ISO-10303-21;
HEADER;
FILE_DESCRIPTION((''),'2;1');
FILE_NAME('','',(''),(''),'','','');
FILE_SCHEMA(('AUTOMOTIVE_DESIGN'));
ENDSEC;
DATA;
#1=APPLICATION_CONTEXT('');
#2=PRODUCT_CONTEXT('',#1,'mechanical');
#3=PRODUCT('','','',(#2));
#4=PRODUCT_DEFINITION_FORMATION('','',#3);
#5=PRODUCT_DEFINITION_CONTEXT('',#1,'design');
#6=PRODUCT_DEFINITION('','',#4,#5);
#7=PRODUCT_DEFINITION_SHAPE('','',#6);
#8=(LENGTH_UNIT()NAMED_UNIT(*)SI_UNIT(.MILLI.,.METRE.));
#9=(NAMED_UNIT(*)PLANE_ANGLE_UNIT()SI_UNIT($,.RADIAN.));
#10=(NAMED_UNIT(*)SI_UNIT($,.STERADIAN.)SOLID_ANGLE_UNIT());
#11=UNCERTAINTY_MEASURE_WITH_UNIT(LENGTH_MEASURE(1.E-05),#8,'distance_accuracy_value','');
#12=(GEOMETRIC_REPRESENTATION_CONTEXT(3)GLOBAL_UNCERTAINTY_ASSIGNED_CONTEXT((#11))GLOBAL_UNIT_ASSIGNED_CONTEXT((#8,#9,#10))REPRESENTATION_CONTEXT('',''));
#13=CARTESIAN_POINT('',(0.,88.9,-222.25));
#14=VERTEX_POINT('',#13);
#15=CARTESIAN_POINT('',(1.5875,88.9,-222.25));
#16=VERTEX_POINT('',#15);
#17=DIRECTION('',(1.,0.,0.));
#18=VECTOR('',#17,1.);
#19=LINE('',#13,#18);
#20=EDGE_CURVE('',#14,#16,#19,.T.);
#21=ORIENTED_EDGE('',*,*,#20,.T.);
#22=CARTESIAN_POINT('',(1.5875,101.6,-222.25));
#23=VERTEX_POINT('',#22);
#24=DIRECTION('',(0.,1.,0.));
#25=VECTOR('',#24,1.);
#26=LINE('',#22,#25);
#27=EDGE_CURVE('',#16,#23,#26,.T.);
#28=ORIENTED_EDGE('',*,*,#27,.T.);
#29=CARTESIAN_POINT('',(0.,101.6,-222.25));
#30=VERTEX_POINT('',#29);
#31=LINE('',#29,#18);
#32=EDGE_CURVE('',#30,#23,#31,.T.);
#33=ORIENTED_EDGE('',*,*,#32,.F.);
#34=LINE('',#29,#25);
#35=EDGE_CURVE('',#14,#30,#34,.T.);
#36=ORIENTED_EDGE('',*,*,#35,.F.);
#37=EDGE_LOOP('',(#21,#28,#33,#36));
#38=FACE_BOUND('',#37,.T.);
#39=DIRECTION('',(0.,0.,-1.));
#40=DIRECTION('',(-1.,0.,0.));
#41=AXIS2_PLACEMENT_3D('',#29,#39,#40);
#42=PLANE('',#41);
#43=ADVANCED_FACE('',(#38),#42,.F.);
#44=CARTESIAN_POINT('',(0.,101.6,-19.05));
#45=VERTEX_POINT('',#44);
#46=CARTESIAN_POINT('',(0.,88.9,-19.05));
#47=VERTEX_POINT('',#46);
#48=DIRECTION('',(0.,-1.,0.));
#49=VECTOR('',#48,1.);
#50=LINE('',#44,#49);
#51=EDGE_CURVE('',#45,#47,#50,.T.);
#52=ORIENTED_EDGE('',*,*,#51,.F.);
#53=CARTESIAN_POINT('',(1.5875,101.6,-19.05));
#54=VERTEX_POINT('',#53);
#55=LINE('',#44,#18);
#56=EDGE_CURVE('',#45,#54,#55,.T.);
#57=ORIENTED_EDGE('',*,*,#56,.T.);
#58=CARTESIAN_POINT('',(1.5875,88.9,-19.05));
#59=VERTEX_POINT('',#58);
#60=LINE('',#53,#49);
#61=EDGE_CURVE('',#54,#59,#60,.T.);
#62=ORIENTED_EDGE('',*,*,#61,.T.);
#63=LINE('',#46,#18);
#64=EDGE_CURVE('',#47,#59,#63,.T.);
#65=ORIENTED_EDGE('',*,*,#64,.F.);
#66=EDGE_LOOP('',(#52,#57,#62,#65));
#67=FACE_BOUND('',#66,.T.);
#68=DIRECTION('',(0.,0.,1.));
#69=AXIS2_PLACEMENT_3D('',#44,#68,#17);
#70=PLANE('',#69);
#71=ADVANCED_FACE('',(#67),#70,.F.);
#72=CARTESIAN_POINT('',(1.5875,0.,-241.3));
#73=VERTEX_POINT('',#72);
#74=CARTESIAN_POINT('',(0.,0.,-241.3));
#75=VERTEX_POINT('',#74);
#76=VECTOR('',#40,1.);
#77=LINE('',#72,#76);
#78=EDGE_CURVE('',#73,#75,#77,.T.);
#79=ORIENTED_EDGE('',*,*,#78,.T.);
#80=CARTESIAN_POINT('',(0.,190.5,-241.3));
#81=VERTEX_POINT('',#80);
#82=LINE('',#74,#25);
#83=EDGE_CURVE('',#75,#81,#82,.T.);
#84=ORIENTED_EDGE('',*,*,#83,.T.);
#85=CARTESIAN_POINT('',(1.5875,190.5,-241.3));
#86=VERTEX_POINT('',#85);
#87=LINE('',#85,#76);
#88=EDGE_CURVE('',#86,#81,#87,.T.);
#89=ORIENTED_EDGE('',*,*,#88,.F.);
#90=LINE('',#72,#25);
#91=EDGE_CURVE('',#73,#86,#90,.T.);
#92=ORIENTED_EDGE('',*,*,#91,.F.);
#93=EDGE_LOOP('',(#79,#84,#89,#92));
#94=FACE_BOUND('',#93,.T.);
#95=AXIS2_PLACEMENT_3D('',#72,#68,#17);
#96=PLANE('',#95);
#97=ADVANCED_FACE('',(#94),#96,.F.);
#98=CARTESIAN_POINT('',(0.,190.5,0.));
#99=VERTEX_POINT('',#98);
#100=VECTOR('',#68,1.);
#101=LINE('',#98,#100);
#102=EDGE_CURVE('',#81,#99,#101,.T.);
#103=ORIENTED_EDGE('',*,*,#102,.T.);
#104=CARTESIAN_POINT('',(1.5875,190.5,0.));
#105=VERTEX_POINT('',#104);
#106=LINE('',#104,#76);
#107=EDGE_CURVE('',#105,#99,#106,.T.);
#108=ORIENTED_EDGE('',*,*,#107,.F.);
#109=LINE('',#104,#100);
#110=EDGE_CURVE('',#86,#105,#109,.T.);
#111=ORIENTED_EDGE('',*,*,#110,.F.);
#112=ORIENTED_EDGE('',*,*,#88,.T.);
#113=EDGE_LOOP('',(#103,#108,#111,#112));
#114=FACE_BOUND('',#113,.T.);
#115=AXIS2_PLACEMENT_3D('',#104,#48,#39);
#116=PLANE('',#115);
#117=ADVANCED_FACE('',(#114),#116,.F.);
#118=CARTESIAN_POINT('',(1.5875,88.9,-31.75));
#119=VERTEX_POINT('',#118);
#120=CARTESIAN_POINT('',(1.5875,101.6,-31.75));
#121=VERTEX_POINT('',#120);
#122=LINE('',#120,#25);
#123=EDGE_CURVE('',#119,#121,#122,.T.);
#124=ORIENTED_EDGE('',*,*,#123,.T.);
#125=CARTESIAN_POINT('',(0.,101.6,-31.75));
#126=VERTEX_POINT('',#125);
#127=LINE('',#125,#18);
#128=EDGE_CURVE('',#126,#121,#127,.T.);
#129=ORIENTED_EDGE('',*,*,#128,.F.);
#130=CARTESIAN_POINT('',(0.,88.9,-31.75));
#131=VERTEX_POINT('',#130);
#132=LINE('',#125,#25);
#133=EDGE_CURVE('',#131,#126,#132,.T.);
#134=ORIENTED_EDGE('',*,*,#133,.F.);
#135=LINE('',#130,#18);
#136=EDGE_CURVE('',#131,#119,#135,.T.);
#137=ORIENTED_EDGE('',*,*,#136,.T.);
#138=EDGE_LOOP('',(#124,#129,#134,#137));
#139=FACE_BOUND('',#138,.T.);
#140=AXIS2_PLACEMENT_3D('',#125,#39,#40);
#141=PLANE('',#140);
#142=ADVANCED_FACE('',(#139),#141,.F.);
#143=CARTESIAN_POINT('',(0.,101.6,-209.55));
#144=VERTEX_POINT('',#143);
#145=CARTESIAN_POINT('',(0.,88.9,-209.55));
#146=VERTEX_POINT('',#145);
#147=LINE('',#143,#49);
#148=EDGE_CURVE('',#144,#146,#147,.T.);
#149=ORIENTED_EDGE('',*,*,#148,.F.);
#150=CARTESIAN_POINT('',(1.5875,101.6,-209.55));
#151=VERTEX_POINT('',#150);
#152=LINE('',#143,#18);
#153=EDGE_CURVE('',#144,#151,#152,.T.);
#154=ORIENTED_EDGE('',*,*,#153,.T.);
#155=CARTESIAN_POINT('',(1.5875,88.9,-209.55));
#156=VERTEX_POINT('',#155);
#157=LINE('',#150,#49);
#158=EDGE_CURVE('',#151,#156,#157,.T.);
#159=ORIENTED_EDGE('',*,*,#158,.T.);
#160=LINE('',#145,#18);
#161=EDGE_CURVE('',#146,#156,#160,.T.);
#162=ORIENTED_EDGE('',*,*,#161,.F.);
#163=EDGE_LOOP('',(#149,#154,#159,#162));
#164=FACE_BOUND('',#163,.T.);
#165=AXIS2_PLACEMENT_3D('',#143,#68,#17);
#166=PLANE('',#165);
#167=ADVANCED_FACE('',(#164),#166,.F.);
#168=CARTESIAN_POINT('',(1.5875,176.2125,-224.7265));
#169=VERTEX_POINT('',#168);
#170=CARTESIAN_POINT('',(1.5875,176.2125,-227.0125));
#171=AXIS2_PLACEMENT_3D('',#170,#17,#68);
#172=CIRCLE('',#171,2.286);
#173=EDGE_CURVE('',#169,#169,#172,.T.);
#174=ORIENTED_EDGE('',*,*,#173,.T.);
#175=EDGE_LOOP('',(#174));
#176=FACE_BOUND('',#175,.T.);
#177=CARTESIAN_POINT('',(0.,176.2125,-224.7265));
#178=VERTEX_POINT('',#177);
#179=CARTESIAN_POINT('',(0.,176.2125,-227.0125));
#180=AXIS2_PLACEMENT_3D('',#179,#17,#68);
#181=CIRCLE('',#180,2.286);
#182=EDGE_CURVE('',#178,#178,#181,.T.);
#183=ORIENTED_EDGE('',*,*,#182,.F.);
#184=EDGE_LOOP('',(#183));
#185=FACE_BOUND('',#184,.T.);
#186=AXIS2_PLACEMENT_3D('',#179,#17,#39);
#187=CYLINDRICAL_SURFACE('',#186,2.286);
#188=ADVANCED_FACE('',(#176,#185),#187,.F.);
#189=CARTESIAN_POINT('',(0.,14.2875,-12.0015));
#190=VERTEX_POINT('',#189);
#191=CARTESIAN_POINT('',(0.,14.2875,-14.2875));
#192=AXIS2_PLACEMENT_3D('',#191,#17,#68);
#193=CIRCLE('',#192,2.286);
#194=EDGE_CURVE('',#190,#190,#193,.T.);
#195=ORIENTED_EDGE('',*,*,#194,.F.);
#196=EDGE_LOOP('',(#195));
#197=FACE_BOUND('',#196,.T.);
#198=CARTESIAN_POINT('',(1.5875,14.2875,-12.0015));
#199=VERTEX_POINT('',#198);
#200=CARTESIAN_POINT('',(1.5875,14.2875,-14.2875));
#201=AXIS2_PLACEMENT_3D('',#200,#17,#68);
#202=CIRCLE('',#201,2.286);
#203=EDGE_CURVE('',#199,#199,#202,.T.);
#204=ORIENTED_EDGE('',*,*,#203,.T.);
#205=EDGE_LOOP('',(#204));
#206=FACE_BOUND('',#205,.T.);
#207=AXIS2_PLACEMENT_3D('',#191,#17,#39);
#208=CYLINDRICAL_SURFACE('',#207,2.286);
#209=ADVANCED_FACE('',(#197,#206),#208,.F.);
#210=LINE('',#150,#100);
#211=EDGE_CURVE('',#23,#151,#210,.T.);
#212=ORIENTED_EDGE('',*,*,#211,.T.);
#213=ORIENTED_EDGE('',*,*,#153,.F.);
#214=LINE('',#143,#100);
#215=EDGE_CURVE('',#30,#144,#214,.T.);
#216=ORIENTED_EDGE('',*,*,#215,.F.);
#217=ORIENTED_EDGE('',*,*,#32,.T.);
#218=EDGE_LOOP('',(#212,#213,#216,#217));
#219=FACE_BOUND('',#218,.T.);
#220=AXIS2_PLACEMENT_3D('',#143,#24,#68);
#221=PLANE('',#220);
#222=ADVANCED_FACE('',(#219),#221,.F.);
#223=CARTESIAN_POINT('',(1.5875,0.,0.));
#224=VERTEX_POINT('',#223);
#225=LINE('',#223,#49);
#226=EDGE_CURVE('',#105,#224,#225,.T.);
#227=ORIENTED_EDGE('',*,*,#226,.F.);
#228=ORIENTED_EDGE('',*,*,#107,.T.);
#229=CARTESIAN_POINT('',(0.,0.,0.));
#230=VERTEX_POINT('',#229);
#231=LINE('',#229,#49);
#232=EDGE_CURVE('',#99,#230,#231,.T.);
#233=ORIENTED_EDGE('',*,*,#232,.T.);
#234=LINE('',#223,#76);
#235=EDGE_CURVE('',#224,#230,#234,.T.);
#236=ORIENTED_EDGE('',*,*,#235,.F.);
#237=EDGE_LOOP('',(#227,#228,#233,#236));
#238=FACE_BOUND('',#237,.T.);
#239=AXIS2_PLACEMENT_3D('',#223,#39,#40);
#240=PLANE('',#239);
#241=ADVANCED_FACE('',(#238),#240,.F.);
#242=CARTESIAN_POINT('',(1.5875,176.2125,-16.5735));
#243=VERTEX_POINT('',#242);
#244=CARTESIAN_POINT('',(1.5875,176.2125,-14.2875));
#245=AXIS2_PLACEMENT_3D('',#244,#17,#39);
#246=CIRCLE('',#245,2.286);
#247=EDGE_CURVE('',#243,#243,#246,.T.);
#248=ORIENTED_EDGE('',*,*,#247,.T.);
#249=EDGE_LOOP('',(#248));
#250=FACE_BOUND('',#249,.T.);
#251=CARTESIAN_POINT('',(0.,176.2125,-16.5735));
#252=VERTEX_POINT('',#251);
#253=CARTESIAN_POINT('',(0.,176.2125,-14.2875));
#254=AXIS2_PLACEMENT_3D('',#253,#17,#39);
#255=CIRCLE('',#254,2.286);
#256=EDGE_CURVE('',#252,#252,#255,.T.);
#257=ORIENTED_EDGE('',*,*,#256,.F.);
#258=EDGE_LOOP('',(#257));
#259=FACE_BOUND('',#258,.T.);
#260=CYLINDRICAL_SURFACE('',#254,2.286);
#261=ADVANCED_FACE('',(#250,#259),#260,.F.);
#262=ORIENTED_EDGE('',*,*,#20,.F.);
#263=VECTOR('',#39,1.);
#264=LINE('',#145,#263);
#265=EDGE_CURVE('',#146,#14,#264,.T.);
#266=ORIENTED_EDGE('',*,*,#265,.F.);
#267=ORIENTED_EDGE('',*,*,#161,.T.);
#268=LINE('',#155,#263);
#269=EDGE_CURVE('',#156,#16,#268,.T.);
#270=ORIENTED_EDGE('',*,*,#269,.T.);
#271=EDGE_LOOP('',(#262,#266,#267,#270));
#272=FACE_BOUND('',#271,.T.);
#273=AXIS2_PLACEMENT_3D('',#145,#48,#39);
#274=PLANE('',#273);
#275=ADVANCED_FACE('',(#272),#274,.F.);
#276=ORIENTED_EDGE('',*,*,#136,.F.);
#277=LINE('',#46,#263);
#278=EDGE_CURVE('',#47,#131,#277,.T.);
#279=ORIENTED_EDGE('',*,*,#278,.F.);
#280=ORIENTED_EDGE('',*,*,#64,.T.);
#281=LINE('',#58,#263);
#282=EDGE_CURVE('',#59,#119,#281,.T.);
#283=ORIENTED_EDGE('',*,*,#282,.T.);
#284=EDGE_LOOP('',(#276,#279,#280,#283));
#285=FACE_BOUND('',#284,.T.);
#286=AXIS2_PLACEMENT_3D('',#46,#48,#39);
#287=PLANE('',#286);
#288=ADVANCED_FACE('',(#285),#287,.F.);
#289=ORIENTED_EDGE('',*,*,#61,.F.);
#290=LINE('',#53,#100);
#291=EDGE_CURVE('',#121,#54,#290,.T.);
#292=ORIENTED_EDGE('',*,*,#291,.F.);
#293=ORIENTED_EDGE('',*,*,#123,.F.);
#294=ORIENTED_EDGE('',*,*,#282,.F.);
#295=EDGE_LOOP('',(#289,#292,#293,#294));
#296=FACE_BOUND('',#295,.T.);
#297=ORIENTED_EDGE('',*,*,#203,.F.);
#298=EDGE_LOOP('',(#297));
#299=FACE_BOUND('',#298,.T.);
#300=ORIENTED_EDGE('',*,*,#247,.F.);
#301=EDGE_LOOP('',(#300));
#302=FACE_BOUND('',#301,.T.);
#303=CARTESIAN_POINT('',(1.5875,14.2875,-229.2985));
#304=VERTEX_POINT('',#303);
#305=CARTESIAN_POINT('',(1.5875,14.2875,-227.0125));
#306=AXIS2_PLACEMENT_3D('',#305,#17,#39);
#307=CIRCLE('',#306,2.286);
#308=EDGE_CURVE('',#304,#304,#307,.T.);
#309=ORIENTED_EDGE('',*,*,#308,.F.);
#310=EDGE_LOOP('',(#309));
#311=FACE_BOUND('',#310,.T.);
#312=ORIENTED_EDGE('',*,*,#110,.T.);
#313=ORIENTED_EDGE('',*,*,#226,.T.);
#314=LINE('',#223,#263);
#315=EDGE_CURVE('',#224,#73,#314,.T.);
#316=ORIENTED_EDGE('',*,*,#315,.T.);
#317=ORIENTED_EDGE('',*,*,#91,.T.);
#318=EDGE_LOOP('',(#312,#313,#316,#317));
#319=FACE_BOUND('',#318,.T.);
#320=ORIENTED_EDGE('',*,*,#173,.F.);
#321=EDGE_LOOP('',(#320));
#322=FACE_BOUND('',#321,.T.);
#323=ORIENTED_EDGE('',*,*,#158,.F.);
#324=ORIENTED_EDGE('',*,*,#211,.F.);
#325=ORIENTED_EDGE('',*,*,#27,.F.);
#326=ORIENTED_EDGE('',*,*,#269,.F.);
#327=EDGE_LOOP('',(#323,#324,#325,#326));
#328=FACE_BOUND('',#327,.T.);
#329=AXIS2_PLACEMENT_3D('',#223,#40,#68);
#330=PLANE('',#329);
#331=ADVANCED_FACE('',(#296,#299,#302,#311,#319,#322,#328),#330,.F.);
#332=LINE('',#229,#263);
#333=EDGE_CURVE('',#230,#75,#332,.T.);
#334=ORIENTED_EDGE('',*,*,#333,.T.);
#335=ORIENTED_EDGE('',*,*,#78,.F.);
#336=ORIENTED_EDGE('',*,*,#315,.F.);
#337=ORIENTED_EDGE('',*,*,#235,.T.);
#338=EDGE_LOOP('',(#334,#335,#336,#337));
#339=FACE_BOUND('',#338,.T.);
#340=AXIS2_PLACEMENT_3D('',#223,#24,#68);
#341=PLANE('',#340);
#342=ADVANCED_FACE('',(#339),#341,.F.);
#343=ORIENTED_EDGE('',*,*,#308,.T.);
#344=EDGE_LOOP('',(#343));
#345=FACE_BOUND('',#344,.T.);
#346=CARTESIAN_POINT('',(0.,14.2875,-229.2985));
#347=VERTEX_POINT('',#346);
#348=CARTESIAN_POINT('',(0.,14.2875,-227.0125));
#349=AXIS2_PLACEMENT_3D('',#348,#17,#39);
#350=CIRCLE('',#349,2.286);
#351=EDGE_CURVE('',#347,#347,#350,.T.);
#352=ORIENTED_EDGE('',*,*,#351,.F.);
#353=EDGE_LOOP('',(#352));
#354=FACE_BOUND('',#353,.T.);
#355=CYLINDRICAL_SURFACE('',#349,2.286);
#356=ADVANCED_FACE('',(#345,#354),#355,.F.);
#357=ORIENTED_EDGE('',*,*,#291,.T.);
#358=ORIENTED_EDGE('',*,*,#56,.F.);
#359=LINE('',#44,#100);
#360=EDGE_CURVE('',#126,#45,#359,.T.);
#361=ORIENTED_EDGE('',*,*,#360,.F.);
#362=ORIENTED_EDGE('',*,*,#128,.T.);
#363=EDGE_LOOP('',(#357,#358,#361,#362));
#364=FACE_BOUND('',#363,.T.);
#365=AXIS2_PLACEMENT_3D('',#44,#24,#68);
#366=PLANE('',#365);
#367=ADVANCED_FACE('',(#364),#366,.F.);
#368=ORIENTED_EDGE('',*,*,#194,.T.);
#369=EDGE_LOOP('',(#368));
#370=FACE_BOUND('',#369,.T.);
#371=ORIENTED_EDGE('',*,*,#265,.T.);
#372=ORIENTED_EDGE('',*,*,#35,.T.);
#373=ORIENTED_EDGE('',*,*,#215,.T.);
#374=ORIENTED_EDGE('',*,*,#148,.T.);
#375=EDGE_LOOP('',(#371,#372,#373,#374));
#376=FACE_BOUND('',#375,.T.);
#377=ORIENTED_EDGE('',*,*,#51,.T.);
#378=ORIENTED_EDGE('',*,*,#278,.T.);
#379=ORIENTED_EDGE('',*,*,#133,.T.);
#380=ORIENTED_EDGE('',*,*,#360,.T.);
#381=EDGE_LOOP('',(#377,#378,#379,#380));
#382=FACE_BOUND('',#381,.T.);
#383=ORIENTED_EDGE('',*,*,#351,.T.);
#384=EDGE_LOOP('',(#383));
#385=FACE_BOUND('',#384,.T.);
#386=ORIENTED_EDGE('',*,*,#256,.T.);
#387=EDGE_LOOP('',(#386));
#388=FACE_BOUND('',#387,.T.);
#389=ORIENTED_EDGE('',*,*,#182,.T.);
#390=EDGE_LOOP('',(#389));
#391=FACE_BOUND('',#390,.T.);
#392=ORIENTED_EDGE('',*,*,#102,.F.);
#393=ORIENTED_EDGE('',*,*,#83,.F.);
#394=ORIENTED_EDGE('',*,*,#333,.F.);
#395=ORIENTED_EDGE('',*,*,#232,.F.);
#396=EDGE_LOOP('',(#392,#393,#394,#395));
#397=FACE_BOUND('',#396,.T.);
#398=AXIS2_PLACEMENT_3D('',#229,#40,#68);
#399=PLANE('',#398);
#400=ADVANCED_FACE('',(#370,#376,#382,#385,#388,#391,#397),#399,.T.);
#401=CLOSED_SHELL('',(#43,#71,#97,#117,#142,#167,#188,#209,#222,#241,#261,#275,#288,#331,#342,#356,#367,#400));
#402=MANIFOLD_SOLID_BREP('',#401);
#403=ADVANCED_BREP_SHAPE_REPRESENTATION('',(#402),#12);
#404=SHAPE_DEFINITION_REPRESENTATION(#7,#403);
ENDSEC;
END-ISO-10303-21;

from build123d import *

# Parameters (mm, degrees)
SKETCH1_W           = 241.3
SKETCH1_H           = 190.5
BOSS_EXTRUDE1_DEPTH = 1.5875
SKETCH2_R           = 2.286
CUT_EXTRUDE1_DEPTH  = 2.5875
SKETCH3_W           = 12.7
SKETCH3_H           = 12.7
CUT_EXTRUDE2_DEPTH  = 2.5875


with BuildPart() as part:
    # Sketch1 → Boss-Extrude1 (new body)
    with BuildSketch(Plane(origin=(0, 0, 0), x_dir=(0, 0, -1), z_dir=(1, 0, 0))):
        with Locations((120.65, 95.25)):
            Rectangle(SKETCH1_W, SKETCH1_H)
    extrude(amount=BOSS_EXTRUDE1_DEPTH)

    # Sketch2 → Cut-Extrude1 (cut, through all)
    with BuildSketch(Plane(origin=(1.5875, 0, 0), x_dir=(0, 0, -1), z_dir=(1, 0, 0))):
        with Locations((227.0125, 14.2875)):
            Circle(SKETCH2_R)
        with Locations((227.0125, 176.2125)):
            Circle(SKETCH2_R)
        with Locations((14.2875, 14.2875)):
            Circle(SKETCH2_R)
        with Locations((14.2875, 176.2125)):
            Circle(SKETCH2_R)
    extrude(amount=-CUT_EXTRUDE1_DEPTH, mode=Mode.SUBTRACT)

    # Sketch3 → Cut-Extrude2 (cut, through all)
    with BuildSketch(Plane(origin=(1.5875, 0, 0), x_dir=(0, 0, -1), z_dir=(1, 0, 0))):
        with Locations((25.4, 95.25)):
            Rectangle(SKETCH3_W, SKETCH3_H)
        with Locations((215.9, 95.25)):
            Rectangle(SKETCH3_W, SKETCH3_H)
    extrude(amount=-CUT_EXTRUDE2_DEPTH, mode=Mode.SUBTRACT)


solid = part.part
